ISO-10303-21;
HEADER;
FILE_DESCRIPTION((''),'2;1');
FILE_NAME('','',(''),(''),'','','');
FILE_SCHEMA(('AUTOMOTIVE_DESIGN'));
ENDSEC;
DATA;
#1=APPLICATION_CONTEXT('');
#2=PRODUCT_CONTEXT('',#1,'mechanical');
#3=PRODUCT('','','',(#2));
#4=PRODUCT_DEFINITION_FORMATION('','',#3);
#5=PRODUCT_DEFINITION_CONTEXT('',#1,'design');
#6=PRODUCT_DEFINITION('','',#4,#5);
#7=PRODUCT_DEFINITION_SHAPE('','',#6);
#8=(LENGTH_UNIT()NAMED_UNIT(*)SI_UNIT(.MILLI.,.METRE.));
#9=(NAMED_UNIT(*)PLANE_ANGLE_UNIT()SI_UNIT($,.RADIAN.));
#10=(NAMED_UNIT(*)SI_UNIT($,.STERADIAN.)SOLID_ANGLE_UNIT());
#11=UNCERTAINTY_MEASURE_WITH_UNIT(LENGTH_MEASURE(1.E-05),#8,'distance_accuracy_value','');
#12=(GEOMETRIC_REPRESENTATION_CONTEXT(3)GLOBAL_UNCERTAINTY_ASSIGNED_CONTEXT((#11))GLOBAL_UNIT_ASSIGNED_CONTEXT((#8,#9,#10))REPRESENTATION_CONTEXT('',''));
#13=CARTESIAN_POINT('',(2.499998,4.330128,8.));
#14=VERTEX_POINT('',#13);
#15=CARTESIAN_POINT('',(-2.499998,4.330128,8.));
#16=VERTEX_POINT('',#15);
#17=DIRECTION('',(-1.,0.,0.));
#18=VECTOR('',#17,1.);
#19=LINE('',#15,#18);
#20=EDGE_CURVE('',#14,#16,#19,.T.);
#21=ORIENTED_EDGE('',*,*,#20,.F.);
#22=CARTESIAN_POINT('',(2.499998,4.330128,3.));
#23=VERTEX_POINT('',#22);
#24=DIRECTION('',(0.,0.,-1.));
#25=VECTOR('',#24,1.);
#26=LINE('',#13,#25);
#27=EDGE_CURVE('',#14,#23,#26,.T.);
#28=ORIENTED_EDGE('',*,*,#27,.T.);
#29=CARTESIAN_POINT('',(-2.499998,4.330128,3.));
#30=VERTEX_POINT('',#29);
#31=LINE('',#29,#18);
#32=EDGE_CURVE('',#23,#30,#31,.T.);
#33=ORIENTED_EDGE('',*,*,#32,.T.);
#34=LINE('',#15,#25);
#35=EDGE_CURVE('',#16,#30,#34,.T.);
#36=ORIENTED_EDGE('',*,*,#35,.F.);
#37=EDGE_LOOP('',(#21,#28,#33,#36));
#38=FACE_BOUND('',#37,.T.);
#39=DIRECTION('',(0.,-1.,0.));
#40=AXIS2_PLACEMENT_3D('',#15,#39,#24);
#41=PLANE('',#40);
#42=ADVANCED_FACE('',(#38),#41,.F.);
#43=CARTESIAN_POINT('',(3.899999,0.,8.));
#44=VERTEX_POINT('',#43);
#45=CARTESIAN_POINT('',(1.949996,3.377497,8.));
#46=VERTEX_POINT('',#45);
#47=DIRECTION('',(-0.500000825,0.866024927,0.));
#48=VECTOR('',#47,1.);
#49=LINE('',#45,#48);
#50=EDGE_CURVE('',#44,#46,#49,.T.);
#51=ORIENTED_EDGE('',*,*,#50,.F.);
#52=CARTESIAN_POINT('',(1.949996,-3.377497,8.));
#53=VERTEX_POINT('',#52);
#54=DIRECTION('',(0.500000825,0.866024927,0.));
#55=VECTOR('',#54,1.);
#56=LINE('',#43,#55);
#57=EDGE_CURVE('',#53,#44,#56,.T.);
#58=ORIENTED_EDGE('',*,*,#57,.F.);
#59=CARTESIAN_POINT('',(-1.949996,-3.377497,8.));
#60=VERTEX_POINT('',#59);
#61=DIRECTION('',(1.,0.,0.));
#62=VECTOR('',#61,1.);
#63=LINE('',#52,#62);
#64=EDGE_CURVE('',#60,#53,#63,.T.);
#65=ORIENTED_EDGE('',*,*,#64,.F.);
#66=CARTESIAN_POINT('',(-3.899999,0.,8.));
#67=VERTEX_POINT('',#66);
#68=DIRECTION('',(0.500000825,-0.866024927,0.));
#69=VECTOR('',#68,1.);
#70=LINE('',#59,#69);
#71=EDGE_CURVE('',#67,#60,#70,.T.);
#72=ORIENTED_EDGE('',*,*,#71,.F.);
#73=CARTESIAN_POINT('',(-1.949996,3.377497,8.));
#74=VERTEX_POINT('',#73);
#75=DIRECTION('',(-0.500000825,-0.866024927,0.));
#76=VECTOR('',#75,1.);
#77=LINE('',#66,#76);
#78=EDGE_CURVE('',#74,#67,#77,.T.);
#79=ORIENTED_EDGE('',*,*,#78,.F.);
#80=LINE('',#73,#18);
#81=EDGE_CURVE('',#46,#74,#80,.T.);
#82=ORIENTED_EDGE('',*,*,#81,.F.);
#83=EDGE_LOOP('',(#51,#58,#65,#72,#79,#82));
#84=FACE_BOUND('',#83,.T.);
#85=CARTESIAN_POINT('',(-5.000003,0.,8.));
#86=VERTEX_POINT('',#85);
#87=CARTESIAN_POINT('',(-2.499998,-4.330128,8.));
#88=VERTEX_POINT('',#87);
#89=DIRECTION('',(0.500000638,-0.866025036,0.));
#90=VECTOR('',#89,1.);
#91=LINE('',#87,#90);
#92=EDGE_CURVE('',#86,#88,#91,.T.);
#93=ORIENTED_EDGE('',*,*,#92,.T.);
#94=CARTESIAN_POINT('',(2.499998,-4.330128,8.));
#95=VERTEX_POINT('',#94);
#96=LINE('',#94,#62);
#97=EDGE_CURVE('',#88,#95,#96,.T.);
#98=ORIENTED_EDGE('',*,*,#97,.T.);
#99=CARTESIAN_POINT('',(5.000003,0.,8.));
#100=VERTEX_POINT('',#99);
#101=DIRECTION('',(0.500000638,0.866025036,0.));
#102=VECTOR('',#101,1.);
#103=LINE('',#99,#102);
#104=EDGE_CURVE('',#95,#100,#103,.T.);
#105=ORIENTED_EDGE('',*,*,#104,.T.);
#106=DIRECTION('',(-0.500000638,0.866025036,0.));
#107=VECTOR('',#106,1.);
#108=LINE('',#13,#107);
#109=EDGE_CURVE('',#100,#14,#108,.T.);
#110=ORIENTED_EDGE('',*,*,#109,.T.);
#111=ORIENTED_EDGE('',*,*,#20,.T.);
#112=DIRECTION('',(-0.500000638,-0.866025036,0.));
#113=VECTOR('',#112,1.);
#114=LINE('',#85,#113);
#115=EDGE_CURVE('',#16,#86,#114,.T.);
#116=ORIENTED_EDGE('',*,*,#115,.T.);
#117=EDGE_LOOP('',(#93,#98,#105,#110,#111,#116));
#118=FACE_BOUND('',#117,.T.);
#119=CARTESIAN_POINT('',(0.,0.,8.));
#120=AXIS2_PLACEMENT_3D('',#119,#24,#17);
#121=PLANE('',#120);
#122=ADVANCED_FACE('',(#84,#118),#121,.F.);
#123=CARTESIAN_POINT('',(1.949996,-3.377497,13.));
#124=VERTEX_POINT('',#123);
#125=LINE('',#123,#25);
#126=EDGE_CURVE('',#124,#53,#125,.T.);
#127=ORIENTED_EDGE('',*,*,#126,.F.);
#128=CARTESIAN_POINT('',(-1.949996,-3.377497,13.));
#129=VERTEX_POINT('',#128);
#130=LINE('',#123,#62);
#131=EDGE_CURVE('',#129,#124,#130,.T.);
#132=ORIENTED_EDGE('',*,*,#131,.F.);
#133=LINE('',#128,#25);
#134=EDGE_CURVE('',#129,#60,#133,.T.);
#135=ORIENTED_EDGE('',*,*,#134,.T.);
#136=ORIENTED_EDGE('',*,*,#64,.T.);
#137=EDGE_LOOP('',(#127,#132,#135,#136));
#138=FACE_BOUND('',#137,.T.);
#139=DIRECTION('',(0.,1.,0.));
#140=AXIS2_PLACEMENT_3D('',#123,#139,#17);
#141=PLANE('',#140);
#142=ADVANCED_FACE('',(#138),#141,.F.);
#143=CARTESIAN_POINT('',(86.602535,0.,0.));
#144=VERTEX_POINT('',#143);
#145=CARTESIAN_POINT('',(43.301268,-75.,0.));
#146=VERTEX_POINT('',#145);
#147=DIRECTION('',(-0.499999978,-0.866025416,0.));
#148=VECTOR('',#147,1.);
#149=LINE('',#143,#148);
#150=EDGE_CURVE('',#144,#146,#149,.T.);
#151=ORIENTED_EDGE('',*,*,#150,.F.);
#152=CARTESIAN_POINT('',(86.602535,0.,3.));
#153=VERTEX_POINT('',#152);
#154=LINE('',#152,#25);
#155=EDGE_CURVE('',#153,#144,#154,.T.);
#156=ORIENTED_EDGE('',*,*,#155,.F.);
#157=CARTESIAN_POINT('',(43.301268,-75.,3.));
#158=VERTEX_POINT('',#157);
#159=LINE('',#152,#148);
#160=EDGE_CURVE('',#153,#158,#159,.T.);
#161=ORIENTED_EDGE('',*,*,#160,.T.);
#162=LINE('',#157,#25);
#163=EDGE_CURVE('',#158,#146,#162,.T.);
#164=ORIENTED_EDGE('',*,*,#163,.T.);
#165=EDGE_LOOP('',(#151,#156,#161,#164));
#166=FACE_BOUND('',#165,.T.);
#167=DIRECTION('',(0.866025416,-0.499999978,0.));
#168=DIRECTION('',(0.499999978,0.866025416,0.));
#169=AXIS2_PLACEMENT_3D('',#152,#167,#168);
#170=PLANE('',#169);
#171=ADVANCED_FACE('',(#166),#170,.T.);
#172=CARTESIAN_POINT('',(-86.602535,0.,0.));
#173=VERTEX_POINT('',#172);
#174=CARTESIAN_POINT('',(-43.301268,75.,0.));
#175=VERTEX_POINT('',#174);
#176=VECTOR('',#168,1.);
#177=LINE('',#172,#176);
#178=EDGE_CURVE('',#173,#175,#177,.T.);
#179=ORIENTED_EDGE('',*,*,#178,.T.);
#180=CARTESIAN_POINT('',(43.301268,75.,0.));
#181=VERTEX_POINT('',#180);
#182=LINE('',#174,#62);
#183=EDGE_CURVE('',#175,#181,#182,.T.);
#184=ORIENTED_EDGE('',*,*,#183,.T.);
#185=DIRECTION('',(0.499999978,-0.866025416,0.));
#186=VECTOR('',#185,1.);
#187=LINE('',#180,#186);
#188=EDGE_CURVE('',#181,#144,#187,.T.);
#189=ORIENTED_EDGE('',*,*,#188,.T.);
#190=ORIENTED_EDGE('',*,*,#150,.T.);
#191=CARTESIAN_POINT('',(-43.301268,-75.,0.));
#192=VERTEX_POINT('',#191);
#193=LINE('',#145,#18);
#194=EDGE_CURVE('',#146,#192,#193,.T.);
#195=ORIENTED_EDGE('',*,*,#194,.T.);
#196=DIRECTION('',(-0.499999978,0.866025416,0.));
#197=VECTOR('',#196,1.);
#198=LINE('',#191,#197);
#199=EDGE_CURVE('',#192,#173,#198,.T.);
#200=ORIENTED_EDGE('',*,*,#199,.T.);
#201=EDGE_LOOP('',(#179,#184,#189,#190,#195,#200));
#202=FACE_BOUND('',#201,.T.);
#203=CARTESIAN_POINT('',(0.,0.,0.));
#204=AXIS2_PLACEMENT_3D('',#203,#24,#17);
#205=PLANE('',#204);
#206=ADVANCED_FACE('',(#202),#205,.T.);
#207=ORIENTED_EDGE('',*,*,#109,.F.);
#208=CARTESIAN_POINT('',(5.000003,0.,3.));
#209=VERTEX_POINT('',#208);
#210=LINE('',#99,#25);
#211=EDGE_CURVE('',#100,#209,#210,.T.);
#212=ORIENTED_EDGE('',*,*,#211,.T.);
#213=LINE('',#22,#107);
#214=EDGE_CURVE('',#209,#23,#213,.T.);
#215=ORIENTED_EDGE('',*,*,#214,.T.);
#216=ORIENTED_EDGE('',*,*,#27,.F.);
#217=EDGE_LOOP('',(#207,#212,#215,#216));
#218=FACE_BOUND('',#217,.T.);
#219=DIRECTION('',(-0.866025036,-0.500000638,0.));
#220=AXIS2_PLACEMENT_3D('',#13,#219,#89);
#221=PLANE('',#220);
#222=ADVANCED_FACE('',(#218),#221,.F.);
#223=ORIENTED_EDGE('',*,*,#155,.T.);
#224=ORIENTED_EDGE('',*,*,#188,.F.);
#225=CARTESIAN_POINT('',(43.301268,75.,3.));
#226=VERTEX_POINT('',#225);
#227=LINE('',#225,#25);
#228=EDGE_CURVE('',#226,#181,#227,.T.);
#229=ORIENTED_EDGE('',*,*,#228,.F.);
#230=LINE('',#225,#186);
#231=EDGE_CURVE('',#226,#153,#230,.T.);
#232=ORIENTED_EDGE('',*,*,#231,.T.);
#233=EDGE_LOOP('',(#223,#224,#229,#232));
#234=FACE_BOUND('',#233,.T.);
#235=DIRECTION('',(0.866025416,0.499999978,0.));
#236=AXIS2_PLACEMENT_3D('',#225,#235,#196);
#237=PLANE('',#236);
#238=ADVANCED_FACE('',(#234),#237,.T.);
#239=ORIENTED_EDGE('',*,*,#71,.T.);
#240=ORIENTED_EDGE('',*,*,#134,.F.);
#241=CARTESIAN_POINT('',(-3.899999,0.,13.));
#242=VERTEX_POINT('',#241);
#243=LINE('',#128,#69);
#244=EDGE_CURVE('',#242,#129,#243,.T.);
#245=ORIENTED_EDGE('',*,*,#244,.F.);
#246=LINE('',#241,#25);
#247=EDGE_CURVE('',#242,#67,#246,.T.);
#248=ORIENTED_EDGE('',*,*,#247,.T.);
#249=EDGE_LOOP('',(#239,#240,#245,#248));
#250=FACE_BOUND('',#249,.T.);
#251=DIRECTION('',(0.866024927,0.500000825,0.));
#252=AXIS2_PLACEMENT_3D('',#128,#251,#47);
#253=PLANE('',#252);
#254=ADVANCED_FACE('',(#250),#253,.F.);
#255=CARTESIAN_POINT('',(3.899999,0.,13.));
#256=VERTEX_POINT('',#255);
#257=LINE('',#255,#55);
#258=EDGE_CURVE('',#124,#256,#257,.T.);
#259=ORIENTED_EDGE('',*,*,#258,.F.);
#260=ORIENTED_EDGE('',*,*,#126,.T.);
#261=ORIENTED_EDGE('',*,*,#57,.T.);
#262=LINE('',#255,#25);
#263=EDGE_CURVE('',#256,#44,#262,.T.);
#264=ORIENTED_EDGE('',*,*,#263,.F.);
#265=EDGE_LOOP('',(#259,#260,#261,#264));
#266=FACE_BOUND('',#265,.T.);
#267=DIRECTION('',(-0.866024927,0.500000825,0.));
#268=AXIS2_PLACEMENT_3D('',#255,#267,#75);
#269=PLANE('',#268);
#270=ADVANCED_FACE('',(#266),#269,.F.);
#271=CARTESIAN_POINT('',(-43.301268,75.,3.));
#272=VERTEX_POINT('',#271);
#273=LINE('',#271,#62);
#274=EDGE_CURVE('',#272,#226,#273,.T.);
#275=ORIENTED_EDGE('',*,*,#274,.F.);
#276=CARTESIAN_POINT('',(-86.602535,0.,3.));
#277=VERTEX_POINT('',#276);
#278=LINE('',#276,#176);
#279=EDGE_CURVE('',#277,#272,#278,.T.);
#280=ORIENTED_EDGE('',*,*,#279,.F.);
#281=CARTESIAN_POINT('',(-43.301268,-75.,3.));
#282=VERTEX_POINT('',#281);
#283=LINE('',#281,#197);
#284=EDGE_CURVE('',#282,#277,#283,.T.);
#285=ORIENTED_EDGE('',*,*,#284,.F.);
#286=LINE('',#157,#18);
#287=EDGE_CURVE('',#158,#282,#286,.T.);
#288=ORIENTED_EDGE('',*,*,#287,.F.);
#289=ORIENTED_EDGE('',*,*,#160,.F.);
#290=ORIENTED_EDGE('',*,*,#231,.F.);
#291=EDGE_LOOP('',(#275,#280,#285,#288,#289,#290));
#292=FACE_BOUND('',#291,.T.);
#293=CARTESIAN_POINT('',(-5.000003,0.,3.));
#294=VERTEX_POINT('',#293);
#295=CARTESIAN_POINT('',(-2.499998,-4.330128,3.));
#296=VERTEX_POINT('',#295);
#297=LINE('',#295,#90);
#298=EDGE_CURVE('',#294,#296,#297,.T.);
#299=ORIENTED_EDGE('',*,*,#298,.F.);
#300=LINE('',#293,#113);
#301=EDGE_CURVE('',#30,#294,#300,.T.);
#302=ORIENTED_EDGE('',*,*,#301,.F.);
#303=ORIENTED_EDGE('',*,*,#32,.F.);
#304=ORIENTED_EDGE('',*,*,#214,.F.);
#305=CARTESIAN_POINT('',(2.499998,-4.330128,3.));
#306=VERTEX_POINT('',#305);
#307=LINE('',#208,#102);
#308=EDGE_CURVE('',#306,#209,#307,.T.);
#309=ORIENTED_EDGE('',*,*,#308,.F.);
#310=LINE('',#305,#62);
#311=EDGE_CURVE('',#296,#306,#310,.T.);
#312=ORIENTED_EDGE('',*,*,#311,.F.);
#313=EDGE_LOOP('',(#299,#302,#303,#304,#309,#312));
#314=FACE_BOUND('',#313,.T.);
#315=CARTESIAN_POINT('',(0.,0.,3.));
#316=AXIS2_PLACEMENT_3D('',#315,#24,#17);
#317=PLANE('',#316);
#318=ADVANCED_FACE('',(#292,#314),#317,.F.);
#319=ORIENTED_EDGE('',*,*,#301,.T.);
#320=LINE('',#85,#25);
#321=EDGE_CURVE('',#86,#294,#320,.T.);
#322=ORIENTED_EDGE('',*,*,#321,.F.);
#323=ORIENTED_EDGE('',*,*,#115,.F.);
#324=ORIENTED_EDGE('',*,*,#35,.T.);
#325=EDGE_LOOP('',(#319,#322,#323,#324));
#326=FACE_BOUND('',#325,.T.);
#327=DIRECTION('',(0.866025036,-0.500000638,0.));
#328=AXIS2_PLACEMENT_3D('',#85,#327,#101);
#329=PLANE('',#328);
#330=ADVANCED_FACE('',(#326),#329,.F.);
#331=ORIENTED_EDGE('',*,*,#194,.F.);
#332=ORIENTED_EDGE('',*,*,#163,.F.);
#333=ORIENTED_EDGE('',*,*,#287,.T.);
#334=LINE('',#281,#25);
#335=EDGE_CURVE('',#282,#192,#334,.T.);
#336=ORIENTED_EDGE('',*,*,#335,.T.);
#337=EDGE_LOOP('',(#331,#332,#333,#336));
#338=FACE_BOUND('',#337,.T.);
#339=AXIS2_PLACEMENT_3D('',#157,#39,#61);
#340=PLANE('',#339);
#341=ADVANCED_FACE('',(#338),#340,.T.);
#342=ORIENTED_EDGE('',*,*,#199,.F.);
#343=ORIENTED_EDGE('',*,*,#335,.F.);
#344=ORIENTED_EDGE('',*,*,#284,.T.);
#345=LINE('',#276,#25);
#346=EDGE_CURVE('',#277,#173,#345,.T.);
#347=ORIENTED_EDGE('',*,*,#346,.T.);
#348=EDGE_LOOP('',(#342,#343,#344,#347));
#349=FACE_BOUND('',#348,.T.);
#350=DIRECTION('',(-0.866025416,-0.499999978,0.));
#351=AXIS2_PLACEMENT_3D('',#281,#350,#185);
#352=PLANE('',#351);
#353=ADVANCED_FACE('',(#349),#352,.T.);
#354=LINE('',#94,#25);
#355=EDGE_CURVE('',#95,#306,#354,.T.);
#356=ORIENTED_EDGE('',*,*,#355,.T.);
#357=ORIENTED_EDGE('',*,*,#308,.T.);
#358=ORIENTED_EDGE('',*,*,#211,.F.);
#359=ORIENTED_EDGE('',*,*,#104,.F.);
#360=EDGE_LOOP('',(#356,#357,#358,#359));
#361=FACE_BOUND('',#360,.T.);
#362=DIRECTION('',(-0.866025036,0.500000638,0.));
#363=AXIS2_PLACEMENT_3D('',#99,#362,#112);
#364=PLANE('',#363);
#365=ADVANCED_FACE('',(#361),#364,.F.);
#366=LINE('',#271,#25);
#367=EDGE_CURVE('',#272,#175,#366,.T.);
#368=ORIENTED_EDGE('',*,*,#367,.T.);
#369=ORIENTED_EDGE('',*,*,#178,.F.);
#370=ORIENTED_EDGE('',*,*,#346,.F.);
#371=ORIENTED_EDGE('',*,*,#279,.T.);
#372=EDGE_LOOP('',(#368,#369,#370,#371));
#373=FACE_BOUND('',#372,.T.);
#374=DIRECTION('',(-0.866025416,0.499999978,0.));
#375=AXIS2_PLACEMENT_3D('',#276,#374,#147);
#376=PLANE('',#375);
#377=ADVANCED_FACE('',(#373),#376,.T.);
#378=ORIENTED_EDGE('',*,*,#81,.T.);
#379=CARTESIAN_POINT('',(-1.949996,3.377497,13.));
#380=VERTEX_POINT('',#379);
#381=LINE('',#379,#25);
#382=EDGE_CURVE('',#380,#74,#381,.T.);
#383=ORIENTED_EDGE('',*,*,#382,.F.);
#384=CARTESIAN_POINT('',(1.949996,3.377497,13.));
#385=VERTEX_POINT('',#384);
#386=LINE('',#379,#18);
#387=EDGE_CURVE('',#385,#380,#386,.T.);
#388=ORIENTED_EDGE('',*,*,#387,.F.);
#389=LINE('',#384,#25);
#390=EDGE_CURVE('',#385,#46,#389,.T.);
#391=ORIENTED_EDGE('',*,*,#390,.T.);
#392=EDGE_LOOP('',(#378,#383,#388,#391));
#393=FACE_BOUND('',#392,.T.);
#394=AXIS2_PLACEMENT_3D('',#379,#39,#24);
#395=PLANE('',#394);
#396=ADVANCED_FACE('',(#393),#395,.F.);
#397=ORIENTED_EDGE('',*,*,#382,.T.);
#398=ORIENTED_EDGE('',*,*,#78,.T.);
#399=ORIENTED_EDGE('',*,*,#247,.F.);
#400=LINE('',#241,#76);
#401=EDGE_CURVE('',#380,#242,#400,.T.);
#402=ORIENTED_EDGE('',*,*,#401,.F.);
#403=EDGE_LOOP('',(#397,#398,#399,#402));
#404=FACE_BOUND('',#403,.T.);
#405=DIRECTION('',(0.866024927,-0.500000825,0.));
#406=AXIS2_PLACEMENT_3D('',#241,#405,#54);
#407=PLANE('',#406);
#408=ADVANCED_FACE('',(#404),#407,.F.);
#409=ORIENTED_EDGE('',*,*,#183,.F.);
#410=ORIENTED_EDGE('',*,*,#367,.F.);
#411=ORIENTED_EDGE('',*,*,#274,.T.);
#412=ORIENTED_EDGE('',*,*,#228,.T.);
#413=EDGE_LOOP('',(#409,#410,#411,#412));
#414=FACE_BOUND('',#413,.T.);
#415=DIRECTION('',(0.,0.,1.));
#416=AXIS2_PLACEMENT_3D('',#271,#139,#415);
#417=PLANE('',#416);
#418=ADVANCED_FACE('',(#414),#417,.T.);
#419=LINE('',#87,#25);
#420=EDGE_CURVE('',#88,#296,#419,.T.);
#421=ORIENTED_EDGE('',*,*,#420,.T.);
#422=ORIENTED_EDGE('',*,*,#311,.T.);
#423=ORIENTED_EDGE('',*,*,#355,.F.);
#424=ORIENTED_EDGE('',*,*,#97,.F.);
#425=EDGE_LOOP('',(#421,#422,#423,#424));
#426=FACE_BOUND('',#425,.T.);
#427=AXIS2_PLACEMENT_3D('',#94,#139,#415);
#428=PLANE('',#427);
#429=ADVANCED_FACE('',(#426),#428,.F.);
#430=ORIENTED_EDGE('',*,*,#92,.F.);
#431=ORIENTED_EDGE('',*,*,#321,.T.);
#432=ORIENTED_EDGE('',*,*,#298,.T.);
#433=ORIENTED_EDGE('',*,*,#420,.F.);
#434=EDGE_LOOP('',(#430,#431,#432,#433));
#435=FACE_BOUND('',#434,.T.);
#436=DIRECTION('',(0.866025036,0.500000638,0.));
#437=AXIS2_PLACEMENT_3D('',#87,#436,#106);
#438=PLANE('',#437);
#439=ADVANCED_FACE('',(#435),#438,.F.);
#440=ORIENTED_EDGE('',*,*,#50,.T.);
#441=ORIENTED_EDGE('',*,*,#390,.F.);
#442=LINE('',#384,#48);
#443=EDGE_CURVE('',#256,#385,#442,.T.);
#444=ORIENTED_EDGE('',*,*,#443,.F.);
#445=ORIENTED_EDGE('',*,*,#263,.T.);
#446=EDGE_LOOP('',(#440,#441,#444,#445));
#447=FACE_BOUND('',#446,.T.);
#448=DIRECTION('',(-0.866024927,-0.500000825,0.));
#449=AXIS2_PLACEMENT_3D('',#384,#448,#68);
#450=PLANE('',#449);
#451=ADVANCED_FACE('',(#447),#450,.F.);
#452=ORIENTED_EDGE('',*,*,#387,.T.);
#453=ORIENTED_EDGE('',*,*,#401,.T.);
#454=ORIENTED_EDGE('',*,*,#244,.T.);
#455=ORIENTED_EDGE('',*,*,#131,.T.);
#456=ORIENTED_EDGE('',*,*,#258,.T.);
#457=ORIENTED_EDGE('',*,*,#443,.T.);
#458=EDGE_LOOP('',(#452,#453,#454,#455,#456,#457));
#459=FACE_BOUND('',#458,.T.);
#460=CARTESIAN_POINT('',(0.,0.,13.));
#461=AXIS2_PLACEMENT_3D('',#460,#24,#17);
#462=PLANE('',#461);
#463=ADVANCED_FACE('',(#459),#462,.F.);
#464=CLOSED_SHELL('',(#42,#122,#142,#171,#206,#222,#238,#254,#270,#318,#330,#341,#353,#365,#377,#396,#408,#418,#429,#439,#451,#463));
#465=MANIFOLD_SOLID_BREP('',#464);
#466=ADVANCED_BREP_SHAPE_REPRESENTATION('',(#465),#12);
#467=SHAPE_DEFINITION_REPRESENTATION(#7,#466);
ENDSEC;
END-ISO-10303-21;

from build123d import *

# Parameters (mm, degrees)
SALIENTE_EXTRUIR1_DEPTH = 3.000000026
SALIENTE_EXTRUIR2_DEPTH = 5.000000354
SALIENTE_EXTRUIR3_DEPTH = 4.999999888


with BuildPart() as part:
    # Croquis1 → Saliente-Extruir1 (new body)
    with BuildSketch(Plane(origin=(0, 0, 0), x_dir=(-1, 0, 0), z_dir=(0, 0, -1))):
        Polygon((86.602535383, 0), (43.301267691, 75), (-43.301267691, 75), (-86.602535383, 0), (-43.301267691, -75), (43.301267691, -75), align=None)
    extrude(amount=-SALIENTE_EXTRUIR1_DEPTH)

    # Croquis2 → Saliente-Extruir2 (add)
    with BuildSketch(Plane.XY.offset(3.000000026)):
        Polygon((-2.499997616, 4.330128431), (2.499997616, 4.330128431), (5.000002682, 0), (2.499997616, -4.330128431), (-2.499997616, -4.330128431), (-5.000002682, 0), align=None)
    extrude(amount=SALIENTE_EXTRUIR2_DEPTH)

    # Croquis3 → Saliente-Extruir3 (add)
    with BuildSketch(Plane.XY.offset(8.00000038)):
        Polygon((-1.949995756, -3.377497196), (-3.899998963, 0), (-1.949995756, 3.377497196), (1.949995756, 3.377497196), (3.899998963, 0), (1.949995756, -3.377497196), align=None)
    extrude(amount=SALIENTE_EXTRUIR3_DEPTH)


solid = part.part
